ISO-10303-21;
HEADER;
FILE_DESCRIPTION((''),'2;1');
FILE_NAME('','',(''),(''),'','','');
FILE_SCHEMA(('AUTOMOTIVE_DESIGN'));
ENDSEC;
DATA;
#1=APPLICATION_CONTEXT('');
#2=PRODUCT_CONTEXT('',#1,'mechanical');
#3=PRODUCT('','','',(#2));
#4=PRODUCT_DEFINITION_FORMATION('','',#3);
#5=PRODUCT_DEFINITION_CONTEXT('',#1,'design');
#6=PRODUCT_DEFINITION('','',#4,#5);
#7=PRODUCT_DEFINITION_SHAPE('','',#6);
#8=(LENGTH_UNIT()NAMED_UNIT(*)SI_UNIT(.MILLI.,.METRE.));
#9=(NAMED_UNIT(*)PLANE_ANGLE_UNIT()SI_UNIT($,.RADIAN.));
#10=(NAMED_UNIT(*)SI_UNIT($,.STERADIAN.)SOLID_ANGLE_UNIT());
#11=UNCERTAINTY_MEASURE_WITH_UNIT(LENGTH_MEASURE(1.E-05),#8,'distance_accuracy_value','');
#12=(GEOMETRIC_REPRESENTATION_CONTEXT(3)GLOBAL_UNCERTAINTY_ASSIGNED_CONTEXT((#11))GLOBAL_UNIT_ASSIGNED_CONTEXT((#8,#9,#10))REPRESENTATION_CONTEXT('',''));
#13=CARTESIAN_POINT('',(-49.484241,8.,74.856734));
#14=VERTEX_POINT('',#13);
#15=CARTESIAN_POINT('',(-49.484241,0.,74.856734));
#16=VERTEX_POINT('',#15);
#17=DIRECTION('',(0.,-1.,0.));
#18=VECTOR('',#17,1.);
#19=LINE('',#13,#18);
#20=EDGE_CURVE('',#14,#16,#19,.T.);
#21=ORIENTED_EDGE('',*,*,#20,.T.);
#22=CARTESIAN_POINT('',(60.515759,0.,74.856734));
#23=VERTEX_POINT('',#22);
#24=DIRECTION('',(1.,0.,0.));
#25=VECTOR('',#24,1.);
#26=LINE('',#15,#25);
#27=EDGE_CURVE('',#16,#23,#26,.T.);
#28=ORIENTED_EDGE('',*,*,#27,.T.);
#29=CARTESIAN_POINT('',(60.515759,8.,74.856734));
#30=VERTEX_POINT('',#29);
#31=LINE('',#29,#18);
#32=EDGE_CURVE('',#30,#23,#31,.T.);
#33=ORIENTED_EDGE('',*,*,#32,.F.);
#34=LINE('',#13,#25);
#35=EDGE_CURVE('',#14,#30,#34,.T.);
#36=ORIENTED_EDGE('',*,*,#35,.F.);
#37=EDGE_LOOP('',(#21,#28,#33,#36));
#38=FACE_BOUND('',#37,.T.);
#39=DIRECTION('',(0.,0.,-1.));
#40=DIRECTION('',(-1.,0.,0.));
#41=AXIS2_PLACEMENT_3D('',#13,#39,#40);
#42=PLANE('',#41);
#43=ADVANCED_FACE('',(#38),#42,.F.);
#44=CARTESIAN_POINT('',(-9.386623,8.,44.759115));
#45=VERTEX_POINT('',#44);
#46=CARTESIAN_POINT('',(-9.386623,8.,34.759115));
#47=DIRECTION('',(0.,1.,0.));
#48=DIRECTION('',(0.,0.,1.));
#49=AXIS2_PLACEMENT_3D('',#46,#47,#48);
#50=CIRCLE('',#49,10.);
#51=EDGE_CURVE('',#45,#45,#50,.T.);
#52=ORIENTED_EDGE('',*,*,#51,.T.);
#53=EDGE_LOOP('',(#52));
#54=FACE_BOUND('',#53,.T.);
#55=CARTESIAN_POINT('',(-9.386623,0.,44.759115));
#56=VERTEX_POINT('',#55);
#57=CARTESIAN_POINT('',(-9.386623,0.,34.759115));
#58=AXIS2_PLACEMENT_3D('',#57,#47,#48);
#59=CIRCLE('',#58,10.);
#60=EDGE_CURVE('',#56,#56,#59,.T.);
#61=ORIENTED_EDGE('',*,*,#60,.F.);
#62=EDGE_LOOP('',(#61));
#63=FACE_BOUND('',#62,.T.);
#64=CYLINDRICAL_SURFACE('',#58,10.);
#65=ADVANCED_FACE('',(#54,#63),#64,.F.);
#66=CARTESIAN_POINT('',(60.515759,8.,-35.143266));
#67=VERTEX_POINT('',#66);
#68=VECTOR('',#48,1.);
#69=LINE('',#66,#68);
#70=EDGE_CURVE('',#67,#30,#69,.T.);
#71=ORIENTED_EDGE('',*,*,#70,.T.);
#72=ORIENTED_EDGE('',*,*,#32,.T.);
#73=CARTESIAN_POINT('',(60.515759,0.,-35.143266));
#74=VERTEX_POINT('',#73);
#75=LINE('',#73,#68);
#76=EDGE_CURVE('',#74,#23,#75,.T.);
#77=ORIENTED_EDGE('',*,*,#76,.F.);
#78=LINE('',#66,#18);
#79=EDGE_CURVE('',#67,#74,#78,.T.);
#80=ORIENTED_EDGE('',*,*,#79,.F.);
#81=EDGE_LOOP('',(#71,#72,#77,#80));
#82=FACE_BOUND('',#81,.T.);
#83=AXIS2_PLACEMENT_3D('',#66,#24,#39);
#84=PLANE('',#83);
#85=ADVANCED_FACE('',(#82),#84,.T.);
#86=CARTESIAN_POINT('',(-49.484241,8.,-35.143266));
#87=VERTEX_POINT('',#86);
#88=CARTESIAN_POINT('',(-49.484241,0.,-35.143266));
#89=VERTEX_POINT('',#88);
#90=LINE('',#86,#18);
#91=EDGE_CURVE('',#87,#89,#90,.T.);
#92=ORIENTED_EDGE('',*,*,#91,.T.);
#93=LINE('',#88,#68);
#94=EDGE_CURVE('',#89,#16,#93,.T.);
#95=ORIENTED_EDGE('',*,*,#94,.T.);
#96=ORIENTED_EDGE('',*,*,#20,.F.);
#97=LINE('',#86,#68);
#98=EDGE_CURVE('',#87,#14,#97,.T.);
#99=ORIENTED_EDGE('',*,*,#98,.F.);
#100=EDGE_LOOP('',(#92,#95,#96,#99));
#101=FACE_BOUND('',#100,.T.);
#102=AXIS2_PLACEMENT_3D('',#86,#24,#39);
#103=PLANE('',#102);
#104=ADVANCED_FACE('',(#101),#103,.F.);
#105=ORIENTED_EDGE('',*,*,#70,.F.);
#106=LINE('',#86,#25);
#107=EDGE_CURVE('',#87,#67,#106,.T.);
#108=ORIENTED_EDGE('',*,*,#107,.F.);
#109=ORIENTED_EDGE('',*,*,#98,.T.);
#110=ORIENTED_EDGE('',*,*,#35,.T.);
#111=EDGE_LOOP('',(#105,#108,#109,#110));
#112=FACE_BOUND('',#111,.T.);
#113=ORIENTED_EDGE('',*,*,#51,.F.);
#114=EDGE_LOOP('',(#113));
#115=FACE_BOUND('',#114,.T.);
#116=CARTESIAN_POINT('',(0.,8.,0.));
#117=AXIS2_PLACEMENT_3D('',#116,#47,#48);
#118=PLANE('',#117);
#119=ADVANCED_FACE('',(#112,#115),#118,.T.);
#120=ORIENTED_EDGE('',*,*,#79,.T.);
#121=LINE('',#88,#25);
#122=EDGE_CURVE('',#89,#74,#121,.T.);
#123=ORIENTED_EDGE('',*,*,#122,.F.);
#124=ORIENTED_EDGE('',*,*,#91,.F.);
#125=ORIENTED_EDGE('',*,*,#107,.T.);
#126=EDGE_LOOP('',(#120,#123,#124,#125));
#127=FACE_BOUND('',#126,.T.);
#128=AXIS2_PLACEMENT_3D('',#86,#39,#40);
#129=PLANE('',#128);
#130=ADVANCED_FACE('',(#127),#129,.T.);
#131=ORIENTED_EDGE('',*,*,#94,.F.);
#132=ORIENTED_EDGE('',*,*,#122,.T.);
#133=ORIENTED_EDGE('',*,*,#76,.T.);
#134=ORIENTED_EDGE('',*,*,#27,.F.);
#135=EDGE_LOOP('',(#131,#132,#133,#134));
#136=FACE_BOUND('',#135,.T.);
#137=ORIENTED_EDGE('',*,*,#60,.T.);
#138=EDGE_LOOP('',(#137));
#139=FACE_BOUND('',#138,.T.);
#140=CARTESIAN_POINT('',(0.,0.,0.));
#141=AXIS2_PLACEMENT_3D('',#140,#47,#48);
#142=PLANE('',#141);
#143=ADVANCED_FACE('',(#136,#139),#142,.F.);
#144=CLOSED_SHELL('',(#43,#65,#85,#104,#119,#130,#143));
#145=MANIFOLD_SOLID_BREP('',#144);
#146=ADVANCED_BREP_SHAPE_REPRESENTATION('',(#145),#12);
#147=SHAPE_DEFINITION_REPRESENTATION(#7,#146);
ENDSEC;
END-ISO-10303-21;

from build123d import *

# Parameters (mm, degrees)
SKETCH_1_W          = 110
SKETCH_1_H          = 110
EXTRUDE_1_DEPTH     = 8
SKETCH_6_R          = 10
CUT_EXTRUDE_1_DEPTH = 8


with BuildPart() as part:
    # 草图1 → 凸台-拉伸1 (new body)
    with BuildSketch(Plane(origin=(0, 0, 0), x_dir=(1, 0, 0), z_dir=(0, 1, 0))):
        with Locations((5.515759312, -19.856733524)):
            Rectangle(SKETCH_1_W, SKETCH_1_H)
    extrude(amount=EXTRUDE_1_DEPTH)

    # 草图6 → 切除-拉伸1 (cut)
    with BuildSketch(Plane(origin=(0, 8, 0), x_dir=(1, 0, 0), z_dir=(0, 1, 0))):
        with Locations(Location((-9.386622595, -34.759115431, 0), (0, 0, 270))):
            Circle(SKETCH_6_R)
    extrude(amount=-CUT_EXTRUDE_1_DEPTH, mode=Mode.SUBTRACT)


solid = part.part
